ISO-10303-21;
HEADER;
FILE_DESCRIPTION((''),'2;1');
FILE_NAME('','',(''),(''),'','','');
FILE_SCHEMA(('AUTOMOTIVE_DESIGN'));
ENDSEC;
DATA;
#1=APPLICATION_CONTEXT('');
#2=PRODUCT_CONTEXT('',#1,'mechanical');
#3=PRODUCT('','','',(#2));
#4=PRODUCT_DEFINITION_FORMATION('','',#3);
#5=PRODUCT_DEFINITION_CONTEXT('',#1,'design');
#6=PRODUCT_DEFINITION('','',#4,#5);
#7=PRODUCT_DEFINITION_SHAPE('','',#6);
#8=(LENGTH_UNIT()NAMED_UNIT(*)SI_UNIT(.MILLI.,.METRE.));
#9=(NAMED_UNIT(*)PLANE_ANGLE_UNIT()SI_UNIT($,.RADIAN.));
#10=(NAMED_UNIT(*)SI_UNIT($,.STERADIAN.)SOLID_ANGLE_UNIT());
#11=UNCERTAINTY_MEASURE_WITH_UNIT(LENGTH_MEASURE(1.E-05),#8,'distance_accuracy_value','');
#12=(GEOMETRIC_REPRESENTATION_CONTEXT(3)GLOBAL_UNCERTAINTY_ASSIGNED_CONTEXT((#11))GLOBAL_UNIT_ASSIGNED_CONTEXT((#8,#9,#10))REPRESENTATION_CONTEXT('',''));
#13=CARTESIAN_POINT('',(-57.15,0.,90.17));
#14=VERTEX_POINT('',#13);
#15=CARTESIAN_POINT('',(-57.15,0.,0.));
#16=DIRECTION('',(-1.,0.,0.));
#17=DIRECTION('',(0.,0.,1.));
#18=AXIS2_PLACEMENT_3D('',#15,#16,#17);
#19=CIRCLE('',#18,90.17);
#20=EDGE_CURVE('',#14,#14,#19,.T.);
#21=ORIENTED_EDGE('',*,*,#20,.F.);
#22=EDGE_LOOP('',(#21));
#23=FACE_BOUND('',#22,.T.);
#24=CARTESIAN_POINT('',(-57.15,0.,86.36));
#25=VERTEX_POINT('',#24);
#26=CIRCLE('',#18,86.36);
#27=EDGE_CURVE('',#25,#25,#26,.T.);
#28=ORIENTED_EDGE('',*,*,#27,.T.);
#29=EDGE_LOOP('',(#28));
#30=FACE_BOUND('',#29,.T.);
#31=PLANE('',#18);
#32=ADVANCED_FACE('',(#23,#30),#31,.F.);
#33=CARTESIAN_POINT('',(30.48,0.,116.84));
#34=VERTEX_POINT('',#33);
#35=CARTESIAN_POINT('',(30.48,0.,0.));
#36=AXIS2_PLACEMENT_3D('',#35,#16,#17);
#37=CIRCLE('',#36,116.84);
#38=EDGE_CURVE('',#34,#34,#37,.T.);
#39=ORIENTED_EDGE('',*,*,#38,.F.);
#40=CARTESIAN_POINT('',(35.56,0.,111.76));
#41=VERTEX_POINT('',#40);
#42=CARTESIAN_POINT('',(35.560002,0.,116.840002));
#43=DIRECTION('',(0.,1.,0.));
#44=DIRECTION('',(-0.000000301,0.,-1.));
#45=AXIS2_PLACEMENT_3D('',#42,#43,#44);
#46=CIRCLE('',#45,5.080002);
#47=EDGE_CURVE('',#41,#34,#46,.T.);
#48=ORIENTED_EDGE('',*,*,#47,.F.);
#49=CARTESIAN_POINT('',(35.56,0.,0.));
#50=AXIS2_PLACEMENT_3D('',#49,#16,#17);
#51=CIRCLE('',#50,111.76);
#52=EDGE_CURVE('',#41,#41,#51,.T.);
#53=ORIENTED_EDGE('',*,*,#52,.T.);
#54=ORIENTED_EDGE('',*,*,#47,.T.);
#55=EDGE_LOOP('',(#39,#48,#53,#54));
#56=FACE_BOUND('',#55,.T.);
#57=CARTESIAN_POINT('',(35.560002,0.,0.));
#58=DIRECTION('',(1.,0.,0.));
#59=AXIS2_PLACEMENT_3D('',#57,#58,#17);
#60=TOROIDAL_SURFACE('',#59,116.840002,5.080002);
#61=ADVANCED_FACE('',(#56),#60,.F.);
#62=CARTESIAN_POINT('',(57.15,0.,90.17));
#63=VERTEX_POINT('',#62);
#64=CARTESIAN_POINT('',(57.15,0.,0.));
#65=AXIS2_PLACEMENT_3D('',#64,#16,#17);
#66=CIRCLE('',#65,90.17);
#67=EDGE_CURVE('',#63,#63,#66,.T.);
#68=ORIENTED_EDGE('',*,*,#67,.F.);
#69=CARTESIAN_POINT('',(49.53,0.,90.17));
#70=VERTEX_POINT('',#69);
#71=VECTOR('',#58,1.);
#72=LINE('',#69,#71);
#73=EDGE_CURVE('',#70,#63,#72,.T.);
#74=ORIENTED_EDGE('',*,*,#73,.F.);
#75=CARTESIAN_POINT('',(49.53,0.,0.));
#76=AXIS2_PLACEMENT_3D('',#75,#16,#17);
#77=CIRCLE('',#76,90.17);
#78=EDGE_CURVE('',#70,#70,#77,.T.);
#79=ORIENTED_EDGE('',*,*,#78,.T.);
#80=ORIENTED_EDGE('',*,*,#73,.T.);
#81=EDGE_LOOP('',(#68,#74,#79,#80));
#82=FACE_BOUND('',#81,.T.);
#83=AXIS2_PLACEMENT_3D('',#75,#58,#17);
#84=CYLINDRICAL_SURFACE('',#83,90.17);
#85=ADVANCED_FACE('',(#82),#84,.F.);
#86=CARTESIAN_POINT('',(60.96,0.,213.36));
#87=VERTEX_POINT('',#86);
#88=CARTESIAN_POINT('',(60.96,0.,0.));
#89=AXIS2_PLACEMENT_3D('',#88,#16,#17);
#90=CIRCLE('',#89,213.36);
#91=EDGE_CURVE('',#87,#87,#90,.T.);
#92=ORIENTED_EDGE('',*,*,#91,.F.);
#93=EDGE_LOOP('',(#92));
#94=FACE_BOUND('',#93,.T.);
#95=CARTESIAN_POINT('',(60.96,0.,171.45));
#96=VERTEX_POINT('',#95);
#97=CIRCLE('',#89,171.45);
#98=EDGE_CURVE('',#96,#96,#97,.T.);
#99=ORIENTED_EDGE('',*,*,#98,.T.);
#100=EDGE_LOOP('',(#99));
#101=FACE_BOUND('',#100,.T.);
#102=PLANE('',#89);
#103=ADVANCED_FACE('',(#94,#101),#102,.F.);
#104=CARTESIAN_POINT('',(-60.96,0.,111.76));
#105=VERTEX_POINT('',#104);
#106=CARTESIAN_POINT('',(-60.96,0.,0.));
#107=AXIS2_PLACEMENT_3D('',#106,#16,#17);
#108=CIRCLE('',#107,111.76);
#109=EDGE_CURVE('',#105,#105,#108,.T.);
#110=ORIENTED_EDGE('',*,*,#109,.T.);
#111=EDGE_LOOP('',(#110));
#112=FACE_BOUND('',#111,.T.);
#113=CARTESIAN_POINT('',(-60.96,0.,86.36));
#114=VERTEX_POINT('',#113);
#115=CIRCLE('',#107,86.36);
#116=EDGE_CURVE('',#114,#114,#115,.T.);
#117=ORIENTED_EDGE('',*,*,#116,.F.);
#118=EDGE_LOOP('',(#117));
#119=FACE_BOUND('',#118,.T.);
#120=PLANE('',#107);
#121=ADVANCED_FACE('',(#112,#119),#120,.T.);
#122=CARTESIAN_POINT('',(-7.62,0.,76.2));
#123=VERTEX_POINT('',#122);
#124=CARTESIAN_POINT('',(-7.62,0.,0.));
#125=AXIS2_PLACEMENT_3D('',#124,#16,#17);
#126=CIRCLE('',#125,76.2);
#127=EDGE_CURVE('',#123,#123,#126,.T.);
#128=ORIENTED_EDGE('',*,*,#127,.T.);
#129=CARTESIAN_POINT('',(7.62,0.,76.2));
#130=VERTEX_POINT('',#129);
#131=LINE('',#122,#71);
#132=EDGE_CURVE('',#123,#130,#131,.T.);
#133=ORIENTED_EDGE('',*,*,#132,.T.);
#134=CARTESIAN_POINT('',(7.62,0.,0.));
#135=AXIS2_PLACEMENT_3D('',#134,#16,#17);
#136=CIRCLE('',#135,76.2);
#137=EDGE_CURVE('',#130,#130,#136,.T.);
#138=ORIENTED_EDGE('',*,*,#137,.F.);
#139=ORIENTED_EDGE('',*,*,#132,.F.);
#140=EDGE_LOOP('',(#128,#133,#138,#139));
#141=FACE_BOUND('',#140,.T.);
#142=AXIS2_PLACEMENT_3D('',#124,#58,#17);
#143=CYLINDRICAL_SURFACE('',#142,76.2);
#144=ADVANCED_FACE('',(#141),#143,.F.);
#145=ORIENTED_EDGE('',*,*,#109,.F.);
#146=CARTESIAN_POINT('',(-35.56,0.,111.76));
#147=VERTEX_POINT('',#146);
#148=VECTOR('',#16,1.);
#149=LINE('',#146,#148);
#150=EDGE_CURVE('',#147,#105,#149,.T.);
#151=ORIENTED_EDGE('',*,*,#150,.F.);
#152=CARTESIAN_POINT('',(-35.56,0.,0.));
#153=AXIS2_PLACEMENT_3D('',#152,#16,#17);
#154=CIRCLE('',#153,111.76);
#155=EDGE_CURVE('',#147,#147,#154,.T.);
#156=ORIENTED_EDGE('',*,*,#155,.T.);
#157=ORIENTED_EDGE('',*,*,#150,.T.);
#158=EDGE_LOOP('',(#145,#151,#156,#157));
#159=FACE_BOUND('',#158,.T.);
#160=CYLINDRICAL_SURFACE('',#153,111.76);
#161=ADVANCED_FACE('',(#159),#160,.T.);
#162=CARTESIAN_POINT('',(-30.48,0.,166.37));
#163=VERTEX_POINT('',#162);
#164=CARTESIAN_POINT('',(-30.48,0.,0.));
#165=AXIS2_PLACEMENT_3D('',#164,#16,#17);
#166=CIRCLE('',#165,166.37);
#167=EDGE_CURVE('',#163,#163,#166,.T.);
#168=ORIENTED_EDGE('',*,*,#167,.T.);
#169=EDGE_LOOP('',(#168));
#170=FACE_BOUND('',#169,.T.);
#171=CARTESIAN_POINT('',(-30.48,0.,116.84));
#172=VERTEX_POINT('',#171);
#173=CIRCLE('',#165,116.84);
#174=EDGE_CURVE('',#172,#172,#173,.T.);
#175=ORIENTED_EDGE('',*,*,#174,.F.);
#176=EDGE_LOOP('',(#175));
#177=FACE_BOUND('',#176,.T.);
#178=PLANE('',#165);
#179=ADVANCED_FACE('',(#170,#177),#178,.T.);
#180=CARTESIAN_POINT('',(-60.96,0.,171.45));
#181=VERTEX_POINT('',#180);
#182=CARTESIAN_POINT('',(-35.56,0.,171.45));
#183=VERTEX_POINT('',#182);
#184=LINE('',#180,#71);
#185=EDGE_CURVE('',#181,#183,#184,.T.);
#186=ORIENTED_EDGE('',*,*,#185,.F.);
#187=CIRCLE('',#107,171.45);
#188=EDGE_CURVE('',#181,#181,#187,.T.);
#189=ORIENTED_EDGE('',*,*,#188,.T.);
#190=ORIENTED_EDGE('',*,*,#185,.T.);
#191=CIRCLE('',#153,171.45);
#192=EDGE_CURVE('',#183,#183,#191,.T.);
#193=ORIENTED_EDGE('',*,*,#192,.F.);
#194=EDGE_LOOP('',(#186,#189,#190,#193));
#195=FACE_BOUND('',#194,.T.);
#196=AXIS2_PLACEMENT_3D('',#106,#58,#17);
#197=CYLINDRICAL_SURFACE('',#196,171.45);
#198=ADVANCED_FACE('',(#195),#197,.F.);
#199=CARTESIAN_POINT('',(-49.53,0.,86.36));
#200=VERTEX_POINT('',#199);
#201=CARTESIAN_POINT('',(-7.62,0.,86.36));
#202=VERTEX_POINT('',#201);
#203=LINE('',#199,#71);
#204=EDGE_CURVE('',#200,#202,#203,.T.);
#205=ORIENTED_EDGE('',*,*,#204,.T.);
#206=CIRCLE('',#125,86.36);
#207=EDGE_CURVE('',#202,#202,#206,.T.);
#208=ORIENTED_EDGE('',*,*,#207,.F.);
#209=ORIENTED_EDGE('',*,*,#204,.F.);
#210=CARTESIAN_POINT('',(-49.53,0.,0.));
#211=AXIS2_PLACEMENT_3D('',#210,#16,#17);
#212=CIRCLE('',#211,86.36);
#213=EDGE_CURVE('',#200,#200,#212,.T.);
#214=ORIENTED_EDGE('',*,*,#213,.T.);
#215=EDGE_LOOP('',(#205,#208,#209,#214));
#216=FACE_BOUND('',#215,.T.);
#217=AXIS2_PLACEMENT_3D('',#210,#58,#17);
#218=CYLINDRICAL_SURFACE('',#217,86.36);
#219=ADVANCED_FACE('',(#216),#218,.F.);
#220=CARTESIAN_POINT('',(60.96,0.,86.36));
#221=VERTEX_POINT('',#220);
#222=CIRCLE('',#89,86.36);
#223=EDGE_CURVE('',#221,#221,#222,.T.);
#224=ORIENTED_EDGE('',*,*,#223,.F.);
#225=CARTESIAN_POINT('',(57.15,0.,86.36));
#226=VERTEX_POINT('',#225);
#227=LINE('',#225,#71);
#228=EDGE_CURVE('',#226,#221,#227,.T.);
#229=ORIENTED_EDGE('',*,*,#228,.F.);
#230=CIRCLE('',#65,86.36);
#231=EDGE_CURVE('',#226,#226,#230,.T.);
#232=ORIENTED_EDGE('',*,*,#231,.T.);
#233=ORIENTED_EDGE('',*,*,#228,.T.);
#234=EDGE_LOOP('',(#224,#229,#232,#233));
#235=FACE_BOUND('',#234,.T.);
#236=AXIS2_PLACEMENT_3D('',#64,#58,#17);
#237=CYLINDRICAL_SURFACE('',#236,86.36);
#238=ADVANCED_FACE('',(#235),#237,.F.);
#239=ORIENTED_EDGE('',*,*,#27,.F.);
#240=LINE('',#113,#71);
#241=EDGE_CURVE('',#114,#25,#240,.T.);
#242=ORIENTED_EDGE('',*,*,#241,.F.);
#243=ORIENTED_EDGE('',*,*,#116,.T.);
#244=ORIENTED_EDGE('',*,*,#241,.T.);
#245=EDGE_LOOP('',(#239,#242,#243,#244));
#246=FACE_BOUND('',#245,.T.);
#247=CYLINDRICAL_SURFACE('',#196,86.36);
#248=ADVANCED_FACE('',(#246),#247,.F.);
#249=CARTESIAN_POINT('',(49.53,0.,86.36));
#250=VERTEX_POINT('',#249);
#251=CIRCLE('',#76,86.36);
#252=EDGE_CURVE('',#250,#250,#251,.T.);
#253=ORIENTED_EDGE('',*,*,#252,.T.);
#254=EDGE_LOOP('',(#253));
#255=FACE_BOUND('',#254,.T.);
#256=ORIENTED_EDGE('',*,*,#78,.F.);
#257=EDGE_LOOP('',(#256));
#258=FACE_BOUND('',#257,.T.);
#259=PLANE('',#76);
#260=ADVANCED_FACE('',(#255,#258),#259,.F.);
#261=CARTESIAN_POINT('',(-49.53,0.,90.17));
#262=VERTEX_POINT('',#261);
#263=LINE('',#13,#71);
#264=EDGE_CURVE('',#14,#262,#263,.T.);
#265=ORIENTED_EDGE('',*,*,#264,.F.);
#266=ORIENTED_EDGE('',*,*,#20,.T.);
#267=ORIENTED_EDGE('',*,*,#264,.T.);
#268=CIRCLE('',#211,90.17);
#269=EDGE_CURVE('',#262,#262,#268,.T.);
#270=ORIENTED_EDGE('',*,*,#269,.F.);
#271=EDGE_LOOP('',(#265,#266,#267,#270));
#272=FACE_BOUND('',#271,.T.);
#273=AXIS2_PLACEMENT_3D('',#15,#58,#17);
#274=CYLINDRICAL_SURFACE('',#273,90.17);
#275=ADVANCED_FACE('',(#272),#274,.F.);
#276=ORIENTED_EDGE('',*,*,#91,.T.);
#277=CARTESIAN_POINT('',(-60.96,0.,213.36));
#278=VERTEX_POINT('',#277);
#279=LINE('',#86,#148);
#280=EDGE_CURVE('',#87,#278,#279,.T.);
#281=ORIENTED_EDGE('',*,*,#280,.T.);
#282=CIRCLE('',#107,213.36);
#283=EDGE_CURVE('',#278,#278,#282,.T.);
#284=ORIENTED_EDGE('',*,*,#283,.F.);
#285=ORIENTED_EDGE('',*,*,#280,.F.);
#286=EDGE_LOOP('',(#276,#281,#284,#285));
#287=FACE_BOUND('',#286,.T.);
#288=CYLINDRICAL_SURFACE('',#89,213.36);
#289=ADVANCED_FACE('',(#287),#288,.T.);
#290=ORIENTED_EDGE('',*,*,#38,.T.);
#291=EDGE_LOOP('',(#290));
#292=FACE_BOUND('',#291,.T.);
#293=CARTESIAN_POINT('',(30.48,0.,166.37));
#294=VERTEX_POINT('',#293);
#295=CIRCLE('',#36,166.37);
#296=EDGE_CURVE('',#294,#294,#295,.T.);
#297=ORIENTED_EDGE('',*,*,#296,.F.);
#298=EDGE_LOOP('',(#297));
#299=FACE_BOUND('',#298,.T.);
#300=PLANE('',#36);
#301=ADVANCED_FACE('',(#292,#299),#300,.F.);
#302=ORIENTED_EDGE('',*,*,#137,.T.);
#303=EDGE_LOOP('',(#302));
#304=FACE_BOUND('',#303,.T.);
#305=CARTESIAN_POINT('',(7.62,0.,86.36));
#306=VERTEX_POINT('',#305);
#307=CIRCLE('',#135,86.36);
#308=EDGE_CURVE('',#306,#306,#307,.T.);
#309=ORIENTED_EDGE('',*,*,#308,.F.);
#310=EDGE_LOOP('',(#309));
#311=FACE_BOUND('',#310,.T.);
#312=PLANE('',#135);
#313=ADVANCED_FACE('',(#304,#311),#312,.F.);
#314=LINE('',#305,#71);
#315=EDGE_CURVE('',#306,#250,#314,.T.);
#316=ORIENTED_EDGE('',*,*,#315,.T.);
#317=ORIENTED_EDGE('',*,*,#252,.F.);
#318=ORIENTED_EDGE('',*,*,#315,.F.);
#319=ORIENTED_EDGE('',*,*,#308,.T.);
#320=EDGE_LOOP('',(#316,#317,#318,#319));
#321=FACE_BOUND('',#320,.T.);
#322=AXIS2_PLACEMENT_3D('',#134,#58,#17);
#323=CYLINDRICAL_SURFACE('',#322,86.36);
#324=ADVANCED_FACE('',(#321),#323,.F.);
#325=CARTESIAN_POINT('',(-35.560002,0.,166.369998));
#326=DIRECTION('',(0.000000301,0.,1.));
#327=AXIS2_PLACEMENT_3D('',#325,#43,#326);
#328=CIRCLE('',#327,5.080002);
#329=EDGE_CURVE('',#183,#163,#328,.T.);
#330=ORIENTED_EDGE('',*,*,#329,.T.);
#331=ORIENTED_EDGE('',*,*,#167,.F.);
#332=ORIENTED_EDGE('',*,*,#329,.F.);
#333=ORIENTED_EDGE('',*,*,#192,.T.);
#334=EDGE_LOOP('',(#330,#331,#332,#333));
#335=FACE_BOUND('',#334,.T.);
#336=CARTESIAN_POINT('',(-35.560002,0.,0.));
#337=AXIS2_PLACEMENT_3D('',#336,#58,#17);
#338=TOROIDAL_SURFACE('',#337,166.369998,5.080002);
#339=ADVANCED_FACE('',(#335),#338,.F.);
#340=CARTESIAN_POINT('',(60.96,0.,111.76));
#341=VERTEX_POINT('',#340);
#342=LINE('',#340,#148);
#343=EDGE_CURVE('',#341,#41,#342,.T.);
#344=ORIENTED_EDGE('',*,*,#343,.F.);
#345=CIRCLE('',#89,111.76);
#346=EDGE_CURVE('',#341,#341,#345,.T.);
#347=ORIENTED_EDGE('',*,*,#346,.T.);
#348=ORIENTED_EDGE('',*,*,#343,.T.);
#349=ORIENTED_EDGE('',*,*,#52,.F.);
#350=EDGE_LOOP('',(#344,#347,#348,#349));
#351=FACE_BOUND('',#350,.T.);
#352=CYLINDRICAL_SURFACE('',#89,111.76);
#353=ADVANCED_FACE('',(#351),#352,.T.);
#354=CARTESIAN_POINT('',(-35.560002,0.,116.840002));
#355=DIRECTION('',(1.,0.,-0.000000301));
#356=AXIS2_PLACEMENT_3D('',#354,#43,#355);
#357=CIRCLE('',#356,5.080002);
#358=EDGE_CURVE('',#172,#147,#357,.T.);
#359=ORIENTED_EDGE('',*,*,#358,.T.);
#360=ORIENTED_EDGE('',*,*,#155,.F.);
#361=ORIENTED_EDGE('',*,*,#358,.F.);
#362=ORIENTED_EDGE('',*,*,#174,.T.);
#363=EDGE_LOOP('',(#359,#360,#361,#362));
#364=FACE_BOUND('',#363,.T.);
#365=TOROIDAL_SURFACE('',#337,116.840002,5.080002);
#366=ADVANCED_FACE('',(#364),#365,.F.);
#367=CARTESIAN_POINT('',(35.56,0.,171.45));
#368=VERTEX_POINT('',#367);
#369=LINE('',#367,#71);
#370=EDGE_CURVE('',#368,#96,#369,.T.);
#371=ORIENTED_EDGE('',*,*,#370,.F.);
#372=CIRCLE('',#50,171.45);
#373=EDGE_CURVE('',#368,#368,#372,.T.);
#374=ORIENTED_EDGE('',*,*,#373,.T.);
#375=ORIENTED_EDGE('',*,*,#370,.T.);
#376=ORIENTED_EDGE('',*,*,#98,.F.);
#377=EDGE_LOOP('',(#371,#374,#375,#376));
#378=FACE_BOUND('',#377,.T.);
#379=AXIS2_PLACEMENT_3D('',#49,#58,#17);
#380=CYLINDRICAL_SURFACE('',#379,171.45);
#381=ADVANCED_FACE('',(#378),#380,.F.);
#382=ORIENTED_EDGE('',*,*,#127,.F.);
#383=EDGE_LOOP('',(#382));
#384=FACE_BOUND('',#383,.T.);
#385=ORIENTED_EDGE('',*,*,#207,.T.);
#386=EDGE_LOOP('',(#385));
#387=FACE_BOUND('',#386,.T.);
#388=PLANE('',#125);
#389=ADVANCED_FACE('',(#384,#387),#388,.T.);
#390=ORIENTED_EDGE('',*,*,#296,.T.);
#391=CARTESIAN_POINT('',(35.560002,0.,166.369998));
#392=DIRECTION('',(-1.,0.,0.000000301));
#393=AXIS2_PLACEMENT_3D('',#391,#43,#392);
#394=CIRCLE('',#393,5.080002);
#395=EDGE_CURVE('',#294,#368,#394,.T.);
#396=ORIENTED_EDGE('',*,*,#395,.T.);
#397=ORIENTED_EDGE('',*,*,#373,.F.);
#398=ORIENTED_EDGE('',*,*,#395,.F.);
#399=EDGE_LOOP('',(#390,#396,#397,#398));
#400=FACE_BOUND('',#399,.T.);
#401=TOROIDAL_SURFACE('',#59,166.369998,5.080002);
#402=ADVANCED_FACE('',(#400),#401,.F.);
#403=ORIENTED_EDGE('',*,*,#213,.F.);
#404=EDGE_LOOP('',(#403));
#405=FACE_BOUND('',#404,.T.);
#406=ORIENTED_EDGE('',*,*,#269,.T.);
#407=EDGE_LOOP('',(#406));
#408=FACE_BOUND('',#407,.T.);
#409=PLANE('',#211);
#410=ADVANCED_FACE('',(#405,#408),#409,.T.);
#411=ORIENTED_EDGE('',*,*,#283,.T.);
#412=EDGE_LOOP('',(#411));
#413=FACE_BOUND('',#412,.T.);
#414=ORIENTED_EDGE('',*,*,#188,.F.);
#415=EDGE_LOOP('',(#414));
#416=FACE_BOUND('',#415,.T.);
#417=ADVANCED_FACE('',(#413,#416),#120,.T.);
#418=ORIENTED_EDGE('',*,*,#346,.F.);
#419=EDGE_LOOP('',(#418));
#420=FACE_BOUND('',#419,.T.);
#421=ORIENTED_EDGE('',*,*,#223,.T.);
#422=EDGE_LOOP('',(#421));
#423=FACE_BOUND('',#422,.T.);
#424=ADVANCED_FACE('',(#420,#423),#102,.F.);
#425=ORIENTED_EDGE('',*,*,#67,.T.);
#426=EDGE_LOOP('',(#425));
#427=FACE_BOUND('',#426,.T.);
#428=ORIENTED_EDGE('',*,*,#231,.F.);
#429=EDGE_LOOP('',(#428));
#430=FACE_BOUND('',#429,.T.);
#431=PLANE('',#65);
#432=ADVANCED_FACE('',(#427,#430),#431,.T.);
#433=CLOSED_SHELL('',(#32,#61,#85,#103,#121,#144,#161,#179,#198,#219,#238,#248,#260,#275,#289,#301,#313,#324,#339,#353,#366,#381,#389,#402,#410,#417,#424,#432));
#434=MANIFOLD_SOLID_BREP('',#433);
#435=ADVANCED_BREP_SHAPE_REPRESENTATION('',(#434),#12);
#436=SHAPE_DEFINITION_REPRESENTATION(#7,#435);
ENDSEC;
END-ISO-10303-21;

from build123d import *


with BuildPart() as f1:
    # F0 (on Front) → F1 (revolve)
    with BuildSketch(Plane.XZ):
        with BuildLine():
            Line((0, 76.2), (0, 213.36))
            Line((0, 213.36), (-60.96, 213.36))
            Line((-60.96, 213.36), (-60.96, 171.45))
            Line((-60.96, 171.45), (-35.56, 171.45))
            ThreePointArc((-35.56, 171.45), (-31.967898, 169.962102), (-30.48, 166.37))
            Line((-30.48, 166.37), (-30.48, 116.84))
            ThreePointArc((-30.48, 116.84), (-31.967898, 113.247898), (-35.56, 111.76))
            Line((-35.56, 111.76), (-60.96, 111.76))
            Line((-60.96, 111.76), (-60.96, 86.36))
            Line((-60.96, 86.36), (-57.15, 86.36))
            Line((-57.15, 86.36), (-57.15, 90.17))
            Line((-57.15, 90.17), (-49.53, 90.17))
            Line((-49.53, 90.17), (-49.53, 86.36))
            Line((-49.53, 86.36), (-7.62, 86.36))
            Line((-7.62, 86.36), (-7.62, 76.2))
            Line((-7.62, 76.2), (0, 76.2))
        make_face()
        with BuildLine():
            Line((60.96, 213.36), (0, 213.36))
            Line((0, 213.36), (0, 76.2))
            Line((0, 76.2), (7.62, 76.2))
            Line((7.62, 76.2), (7.62, 86.36))
            Line((7.62, 86.36), (49.53, 86.36))
            Line((49.53, 86.36), (49.53, 90.17))
            Line((49.53, 90.17), (57.15, 90.17))
            Line((57.15, 90.17), (57.15, 86.36))
            Line((57.15, 86.36), (60.96, 86.36))
            Line((60.96, 86.36), (60.96, 111.76))
            Line((60.96, 111.76), (35.56, 111.76))
            ThreePointArc((35.56, 111.76), (31.967898, 113.247898), (30.48, 116.84))
            Line((30.48, 116.84), (30.48, 166.37))
            ThreePointArc((30.48, 166.37), (31.967898, 169.962102), (35.56, 171.45))
            Line((35.56, 171.45), (60.96, 171.45))
            Line((60.96, 171.45), (60.96, 213.36))
        make_face()
    revolve(axis=Axis((-30.48, 0, 0), (-1, 0, 0)))


solid = f1.part
